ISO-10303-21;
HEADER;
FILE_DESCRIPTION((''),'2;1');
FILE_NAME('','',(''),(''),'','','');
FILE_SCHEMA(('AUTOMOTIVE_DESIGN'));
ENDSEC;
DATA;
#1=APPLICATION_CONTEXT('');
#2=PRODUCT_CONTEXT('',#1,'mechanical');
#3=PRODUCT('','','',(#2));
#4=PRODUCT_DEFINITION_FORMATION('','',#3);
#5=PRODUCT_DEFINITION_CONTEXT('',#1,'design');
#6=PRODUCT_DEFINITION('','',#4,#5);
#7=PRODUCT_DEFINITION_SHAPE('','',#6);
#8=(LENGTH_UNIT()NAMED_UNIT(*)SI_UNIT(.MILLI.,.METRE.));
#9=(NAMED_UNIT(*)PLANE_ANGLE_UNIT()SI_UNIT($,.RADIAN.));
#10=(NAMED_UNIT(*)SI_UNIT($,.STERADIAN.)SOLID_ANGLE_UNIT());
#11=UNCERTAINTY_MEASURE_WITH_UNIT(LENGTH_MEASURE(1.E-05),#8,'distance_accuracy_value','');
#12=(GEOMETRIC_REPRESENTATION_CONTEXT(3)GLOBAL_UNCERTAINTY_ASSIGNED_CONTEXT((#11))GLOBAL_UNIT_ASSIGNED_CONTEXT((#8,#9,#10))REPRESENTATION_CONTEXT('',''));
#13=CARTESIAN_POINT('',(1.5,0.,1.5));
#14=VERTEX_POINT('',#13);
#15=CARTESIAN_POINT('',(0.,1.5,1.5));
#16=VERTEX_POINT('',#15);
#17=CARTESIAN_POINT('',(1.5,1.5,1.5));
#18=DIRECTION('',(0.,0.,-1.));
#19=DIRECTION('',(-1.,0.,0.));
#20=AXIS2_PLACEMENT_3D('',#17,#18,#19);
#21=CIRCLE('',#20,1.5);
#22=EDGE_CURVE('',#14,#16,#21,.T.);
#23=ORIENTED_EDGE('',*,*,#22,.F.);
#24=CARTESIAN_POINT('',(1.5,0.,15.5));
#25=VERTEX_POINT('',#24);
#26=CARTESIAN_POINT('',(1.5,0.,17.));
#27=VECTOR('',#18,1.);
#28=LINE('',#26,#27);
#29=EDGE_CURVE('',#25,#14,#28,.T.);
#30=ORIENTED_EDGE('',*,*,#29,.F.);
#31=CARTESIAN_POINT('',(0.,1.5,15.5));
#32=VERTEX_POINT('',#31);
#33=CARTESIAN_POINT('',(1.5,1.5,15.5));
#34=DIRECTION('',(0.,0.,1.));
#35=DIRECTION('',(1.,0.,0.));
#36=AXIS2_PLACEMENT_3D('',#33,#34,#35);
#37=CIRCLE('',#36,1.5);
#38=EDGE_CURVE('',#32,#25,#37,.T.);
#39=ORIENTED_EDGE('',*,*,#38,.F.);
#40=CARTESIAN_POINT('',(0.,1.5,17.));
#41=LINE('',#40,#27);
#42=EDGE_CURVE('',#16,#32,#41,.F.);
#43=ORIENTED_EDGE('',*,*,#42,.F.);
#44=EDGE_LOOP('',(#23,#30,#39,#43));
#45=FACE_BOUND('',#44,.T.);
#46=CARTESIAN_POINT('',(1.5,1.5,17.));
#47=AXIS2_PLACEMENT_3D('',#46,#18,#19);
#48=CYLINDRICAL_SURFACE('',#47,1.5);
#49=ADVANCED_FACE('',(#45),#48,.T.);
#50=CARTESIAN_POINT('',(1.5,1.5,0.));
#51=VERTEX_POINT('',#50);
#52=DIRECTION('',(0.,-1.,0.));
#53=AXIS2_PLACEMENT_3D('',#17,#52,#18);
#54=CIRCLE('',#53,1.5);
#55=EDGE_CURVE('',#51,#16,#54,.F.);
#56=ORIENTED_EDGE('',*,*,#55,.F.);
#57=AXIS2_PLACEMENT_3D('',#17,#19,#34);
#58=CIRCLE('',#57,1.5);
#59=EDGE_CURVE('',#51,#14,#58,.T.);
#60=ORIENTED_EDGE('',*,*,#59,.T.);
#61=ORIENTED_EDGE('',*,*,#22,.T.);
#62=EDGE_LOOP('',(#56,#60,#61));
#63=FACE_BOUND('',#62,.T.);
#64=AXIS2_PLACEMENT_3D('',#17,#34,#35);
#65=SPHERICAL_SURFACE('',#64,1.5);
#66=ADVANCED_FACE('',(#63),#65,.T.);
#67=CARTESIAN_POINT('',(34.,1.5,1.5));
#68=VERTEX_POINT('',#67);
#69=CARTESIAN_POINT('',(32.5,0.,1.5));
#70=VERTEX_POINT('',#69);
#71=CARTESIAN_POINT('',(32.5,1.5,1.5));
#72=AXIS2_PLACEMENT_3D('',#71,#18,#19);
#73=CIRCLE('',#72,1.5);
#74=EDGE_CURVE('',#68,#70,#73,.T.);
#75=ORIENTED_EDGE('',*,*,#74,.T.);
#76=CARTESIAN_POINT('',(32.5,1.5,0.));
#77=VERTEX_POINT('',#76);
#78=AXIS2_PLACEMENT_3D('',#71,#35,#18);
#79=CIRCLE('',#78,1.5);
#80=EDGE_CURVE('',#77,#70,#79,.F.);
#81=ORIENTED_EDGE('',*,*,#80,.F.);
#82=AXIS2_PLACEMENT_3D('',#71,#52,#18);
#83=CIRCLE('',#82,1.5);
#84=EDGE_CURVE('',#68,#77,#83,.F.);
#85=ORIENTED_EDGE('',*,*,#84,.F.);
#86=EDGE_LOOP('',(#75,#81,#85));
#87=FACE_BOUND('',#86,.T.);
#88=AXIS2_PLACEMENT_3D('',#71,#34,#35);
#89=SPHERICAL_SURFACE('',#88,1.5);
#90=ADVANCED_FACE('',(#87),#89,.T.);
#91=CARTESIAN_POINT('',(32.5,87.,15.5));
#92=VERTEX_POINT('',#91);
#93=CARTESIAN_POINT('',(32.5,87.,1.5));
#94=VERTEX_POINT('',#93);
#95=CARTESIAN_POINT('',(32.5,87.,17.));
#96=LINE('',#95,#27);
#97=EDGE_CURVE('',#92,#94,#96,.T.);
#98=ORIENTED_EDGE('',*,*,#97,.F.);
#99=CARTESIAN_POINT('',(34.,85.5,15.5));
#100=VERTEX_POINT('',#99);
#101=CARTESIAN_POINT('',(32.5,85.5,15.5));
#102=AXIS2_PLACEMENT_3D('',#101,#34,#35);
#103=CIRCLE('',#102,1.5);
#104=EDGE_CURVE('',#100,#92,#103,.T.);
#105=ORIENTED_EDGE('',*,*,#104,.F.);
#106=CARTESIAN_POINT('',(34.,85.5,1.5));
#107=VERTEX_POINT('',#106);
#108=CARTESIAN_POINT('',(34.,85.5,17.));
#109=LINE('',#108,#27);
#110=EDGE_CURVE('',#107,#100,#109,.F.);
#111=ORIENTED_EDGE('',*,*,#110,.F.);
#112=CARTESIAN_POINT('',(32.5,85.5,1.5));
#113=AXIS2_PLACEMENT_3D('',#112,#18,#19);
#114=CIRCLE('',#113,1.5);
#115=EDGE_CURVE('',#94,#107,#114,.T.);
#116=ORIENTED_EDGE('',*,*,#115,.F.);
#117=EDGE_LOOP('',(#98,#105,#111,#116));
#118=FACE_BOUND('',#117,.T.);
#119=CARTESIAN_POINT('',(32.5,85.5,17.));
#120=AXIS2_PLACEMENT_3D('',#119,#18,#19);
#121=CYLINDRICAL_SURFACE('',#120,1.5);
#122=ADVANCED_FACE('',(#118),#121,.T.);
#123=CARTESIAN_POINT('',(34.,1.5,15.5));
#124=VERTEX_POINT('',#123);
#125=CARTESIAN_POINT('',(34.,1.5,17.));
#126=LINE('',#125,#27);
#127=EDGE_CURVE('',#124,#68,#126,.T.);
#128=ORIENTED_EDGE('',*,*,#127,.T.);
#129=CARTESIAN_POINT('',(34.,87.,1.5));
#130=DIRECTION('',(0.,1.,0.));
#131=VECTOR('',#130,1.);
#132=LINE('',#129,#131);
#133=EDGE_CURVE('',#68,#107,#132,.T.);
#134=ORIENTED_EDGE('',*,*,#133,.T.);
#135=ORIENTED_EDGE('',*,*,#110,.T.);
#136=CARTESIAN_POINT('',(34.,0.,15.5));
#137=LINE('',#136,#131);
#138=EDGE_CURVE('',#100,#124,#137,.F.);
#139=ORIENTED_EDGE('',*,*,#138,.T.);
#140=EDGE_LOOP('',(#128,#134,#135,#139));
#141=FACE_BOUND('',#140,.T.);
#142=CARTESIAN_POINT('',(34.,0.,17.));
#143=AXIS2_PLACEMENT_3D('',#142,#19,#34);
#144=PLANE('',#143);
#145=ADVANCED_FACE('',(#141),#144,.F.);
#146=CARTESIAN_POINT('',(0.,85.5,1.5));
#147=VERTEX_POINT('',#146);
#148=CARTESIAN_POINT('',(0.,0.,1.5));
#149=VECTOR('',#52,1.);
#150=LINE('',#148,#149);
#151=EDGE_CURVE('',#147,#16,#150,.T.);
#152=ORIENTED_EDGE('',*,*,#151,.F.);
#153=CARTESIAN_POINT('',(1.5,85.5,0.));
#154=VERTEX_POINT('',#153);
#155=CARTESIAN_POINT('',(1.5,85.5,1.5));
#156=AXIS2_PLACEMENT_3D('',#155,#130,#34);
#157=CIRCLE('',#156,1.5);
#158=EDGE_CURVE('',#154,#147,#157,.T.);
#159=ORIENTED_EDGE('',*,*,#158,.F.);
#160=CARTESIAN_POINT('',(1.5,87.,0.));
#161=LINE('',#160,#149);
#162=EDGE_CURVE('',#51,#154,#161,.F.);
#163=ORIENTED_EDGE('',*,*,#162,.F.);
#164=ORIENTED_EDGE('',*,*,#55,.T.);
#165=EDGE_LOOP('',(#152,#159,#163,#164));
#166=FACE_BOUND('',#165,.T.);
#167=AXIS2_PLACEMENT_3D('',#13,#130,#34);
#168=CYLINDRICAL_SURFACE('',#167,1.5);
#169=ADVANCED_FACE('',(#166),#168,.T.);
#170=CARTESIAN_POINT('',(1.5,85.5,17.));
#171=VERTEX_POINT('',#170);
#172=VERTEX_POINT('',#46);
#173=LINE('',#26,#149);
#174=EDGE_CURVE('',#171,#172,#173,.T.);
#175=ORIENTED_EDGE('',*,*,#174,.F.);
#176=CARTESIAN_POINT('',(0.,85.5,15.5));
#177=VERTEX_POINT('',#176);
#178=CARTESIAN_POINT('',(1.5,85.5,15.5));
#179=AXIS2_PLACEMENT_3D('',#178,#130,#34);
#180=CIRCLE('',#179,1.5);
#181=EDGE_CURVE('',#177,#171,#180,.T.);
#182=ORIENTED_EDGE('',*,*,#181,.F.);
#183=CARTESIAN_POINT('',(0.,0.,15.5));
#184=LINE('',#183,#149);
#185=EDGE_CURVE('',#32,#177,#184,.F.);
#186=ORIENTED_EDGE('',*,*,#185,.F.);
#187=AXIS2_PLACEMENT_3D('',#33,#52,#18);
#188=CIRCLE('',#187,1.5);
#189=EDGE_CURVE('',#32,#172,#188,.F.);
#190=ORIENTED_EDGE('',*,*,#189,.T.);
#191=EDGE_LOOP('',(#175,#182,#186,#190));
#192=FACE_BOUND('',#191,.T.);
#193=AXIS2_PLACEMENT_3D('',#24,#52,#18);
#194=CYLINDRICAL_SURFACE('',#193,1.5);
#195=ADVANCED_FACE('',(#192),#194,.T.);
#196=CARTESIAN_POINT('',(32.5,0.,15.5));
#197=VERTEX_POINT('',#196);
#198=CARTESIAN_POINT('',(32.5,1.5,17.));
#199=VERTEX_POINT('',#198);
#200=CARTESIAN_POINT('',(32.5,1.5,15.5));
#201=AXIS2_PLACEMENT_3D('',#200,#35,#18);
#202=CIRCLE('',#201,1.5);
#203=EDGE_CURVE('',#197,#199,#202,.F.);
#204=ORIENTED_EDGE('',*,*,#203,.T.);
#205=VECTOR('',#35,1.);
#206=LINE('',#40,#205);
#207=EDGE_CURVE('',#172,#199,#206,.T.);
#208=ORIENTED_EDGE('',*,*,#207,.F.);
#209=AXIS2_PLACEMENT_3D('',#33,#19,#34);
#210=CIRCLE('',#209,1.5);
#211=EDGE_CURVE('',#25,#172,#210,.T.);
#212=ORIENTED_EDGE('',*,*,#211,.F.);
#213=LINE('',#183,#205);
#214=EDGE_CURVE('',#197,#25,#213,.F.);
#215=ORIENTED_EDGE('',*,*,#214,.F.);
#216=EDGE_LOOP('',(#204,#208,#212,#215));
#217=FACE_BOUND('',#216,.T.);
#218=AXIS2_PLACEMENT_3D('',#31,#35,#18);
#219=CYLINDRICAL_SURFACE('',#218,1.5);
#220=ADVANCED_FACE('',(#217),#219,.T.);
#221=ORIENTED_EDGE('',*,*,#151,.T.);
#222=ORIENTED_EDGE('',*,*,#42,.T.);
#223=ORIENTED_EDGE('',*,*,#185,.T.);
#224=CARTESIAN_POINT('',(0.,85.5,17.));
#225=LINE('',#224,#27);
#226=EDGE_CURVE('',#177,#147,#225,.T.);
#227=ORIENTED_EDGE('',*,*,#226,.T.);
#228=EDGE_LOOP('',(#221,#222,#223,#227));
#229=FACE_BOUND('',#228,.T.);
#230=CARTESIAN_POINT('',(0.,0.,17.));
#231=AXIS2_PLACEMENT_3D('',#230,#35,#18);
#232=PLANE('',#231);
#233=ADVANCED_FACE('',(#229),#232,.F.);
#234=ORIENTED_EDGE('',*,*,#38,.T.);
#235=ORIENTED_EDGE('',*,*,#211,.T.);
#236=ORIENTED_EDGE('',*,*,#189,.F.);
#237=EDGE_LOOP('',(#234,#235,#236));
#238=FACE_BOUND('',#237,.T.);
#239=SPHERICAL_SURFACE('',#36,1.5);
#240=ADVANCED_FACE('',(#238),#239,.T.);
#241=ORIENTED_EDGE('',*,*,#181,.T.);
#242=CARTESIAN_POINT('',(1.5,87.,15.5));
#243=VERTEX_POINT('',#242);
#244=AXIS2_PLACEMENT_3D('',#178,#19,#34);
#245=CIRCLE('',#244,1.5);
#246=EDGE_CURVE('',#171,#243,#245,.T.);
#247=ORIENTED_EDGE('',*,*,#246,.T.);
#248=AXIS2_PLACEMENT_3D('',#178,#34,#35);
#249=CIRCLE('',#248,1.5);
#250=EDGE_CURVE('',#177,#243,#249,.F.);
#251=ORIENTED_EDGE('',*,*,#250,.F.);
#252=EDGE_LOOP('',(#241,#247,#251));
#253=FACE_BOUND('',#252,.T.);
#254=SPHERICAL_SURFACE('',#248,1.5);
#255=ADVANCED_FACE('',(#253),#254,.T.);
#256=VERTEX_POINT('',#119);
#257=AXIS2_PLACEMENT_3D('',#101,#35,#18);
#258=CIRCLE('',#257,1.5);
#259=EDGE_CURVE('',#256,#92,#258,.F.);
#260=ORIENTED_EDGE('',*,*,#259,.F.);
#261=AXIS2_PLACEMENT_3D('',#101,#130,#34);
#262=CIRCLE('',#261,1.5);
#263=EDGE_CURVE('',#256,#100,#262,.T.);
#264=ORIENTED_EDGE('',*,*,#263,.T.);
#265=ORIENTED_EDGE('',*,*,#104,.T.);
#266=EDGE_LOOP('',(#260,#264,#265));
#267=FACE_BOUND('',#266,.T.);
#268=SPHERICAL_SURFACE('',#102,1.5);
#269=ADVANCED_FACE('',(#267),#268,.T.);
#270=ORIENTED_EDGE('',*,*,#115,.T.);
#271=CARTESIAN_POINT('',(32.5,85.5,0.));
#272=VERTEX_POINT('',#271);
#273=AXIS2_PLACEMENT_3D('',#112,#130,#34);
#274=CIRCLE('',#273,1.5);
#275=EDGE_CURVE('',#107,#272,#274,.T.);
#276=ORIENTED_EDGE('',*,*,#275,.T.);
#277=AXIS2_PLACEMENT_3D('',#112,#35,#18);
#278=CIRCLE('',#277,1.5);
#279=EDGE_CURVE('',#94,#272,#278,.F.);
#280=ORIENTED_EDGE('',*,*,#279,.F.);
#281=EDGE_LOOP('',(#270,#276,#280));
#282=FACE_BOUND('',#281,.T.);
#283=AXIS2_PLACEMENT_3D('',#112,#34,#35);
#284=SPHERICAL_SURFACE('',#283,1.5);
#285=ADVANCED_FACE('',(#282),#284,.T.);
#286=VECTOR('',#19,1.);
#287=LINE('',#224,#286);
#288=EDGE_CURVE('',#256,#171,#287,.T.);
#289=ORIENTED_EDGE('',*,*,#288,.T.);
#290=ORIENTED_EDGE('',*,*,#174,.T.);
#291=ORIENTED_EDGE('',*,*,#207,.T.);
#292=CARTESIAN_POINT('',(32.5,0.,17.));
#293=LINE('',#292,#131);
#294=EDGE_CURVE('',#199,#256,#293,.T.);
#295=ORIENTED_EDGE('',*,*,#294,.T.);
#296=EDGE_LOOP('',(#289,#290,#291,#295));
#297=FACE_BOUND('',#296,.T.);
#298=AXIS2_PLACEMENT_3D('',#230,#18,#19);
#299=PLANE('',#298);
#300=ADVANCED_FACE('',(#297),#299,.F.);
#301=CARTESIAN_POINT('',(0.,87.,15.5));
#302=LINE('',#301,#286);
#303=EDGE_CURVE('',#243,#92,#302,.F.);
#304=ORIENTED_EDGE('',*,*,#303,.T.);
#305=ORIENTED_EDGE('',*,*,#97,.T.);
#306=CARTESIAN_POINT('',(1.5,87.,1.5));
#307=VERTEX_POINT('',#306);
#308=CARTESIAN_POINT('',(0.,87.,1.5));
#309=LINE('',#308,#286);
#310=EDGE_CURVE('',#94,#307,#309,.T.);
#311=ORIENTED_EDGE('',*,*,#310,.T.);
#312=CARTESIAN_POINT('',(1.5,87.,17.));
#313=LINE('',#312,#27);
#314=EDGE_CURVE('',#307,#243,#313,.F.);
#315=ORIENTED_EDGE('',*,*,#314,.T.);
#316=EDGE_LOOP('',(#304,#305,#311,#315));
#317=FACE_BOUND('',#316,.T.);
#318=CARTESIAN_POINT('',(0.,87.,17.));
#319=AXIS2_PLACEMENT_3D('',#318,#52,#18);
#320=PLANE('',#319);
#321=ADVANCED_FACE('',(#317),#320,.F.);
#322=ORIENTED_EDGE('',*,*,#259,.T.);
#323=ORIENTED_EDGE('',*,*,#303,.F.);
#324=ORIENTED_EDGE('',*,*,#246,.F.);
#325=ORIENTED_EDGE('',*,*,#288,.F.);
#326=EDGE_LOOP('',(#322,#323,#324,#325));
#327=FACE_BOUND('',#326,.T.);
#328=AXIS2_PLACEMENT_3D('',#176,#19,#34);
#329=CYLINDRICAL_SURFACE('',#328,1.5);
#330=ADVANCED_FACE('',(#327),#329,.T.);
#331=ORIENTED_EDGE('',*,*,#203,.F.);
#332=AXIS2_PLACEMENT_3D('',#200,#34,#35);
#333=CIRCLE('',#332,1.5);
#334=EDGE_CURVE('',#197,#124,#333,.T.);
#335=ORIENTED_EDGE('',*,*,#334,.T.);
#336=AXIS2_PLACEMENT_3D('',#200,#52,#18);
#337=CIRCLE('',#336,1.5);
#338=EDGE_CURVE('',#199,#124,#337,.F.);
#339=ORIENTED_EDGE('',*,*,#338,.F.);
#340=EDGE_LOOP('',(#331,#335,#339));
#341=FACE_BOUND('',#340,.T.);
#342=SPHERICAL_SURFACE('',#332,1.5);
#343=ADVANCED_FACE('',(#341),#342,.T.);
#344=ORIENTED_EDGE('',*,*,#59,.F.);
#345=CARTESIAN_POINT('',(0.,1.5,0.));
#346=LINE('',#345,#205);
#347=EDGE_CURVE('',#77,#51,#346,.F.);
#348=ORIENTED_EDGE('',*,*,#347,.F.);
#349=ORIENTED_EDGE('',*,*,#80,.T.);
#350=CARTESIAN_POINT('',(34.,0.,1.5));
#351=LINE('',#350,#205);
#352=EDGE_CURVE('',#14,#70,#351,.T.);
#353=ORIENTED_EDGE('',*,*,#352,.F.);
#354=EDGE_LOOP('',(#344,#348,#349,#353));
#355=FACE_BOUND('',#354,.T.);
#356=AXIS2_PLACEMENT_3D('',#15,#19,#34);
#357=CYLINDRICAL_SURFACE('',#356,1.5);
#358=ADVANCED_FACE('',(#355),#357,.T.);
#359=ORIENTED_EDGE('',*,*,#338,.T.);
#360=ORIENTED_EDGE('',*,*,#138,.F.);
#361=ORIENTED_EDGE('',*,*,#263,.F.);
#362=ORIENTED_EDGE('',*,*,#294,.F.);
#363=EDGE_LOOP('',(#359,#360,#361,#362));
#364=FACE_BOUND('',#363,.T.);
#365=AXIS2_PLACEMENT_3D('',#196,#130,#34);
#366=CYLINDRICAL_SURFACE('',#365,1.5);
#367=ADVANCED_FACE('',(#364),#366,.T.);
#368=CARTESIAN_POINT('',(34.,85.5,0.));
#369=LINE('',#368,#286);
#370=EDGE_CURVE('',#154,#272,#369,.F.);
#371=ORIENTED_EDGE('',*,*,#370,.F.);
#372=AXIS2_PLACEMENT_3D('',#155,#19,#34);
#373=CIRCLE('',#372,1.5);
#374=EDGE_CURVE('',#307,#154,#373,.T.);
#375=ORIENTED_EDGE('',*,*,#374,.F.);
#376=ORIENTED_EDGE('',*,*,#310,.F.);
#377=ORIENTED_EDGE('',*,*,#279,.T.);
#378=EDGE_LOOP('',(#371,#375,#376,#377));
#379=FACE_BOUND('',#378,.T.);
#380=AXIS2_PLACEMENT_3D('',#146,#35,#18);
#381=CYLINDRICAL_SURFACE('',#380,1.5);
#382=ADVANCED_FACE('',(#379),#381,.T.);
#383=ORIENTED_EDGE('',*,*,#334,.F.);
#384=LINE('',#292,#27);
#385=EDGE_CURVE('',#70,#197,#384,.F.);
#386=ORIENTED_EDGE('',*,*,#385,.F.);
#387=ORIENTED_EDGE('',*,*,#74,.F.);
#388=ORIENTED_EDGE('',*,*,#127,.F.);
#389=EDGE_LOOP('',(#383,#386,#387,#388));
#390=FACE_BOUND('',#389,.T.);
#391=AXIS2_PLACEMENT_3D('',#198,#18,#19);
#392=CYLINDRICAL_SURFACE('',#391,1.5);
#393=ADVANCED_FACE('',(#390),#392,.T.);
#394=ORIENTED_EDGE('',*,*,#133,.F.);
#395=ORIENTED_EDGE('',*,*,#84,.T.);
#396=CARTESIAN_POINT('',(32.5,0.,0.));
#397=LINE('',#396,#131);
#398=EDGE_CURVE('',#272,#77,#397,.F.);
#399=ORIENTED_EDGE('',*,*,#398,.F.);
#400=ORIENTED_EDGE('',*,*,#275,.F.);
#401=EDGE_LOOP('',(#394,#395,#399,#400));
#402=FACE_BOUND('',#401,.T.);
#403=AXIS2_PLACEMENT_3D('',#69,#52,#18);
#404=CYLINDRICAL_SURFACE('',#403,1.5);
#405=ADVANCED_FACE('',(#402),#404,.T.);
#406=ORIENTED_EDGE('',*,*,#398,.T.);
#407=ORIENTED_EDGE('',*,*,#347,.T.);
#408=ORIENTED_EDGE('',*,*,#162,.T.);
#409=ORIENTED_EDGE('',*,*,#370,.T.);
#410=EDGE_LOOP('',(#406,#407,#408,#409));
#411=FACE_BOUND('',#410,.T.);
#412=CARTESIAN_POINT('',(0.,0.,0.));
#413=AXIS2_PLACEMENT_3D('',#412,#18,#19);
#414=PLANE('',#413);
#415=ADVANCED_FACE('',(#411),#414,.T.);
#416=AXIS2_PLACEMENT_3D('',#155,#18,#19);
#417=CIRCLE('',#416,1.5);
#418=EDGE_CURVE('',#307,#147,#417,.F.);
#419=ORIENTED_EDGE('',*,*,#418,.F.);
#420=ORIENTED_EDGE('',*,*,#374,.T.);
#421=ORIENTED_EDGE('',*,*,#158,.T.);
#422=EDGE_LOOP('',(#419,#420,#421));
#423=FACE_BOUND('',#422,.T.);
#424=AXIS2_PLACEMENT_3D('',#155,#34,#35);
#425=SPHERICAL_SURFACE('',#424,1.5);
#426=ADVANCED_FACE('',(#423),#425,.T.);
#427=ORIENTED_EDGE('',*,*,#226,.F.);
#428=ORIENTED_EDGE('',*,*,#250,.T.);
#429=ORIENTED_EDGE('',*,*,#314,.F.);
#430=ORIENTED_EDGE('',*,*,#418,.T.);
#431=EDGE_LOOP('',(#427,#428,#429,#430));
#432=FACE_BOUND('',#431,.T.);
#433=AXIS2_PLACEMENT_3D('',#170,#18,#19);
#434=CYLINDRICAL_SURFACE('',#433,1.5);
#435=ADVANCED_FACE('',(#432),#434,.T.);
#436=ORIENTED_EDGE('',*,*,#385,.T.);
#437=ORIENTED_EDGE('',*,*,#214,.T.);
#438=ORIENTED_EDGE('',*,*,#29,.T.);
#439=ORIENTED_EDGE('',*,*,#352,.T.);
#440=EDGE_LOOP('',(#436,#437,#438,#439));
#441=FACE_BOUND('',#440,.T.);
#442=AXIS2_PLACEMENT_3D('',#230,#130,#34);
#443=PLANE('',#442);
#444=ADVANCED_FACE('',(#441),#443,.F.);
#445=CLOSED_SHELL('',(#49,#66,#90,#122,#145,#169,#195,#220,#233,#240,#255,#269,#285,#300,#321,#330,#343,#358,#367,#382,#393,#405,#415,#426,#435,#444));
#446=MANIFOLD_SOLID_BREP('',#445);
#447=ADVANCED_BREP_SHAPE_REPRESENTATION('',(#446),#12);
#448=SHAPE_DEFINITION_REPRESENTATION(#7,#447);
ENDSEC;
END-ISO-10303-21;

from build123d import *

# Parameters (mm, degrees)
SKETCH1_W           = 34
SKETCH1_H           = 87
BOSS_EXTRUDE1_DEPTH = 17
FILLET1_R           = 1.5


with BuildPart() as part:
    # Sketch1 → Boss-Extrude1 (new body)
    with BuildSketch(Plane.XY):
        with Locations((17, 43.5)):
            Rectangle(SKETCH1_W, SKETCH1_H)
    extrude(amount=BOSS_EXTRUDE1_DEPTH)

    # Fillet1
    fillet1_edges = [part.edges().sort_by_distance(p)[0] for p in [
        (34, 43.5, 17),
        (17, 87, 17),
        (0, 43.5, 17),
        (17, 87, 0),
        (34, 43.5, 0),
        (17, 0, 0),
        (0, 43.5, 0),
        (17, 0, 17),
        (0, 87, 8.5),
        (34, 87, 8.5),
        (34, 0, 8.5),
        (0, 0, 8.5),
    ]]
    fillet(fillet1_edges, radius=FILLET1_R)


solid = part.part
